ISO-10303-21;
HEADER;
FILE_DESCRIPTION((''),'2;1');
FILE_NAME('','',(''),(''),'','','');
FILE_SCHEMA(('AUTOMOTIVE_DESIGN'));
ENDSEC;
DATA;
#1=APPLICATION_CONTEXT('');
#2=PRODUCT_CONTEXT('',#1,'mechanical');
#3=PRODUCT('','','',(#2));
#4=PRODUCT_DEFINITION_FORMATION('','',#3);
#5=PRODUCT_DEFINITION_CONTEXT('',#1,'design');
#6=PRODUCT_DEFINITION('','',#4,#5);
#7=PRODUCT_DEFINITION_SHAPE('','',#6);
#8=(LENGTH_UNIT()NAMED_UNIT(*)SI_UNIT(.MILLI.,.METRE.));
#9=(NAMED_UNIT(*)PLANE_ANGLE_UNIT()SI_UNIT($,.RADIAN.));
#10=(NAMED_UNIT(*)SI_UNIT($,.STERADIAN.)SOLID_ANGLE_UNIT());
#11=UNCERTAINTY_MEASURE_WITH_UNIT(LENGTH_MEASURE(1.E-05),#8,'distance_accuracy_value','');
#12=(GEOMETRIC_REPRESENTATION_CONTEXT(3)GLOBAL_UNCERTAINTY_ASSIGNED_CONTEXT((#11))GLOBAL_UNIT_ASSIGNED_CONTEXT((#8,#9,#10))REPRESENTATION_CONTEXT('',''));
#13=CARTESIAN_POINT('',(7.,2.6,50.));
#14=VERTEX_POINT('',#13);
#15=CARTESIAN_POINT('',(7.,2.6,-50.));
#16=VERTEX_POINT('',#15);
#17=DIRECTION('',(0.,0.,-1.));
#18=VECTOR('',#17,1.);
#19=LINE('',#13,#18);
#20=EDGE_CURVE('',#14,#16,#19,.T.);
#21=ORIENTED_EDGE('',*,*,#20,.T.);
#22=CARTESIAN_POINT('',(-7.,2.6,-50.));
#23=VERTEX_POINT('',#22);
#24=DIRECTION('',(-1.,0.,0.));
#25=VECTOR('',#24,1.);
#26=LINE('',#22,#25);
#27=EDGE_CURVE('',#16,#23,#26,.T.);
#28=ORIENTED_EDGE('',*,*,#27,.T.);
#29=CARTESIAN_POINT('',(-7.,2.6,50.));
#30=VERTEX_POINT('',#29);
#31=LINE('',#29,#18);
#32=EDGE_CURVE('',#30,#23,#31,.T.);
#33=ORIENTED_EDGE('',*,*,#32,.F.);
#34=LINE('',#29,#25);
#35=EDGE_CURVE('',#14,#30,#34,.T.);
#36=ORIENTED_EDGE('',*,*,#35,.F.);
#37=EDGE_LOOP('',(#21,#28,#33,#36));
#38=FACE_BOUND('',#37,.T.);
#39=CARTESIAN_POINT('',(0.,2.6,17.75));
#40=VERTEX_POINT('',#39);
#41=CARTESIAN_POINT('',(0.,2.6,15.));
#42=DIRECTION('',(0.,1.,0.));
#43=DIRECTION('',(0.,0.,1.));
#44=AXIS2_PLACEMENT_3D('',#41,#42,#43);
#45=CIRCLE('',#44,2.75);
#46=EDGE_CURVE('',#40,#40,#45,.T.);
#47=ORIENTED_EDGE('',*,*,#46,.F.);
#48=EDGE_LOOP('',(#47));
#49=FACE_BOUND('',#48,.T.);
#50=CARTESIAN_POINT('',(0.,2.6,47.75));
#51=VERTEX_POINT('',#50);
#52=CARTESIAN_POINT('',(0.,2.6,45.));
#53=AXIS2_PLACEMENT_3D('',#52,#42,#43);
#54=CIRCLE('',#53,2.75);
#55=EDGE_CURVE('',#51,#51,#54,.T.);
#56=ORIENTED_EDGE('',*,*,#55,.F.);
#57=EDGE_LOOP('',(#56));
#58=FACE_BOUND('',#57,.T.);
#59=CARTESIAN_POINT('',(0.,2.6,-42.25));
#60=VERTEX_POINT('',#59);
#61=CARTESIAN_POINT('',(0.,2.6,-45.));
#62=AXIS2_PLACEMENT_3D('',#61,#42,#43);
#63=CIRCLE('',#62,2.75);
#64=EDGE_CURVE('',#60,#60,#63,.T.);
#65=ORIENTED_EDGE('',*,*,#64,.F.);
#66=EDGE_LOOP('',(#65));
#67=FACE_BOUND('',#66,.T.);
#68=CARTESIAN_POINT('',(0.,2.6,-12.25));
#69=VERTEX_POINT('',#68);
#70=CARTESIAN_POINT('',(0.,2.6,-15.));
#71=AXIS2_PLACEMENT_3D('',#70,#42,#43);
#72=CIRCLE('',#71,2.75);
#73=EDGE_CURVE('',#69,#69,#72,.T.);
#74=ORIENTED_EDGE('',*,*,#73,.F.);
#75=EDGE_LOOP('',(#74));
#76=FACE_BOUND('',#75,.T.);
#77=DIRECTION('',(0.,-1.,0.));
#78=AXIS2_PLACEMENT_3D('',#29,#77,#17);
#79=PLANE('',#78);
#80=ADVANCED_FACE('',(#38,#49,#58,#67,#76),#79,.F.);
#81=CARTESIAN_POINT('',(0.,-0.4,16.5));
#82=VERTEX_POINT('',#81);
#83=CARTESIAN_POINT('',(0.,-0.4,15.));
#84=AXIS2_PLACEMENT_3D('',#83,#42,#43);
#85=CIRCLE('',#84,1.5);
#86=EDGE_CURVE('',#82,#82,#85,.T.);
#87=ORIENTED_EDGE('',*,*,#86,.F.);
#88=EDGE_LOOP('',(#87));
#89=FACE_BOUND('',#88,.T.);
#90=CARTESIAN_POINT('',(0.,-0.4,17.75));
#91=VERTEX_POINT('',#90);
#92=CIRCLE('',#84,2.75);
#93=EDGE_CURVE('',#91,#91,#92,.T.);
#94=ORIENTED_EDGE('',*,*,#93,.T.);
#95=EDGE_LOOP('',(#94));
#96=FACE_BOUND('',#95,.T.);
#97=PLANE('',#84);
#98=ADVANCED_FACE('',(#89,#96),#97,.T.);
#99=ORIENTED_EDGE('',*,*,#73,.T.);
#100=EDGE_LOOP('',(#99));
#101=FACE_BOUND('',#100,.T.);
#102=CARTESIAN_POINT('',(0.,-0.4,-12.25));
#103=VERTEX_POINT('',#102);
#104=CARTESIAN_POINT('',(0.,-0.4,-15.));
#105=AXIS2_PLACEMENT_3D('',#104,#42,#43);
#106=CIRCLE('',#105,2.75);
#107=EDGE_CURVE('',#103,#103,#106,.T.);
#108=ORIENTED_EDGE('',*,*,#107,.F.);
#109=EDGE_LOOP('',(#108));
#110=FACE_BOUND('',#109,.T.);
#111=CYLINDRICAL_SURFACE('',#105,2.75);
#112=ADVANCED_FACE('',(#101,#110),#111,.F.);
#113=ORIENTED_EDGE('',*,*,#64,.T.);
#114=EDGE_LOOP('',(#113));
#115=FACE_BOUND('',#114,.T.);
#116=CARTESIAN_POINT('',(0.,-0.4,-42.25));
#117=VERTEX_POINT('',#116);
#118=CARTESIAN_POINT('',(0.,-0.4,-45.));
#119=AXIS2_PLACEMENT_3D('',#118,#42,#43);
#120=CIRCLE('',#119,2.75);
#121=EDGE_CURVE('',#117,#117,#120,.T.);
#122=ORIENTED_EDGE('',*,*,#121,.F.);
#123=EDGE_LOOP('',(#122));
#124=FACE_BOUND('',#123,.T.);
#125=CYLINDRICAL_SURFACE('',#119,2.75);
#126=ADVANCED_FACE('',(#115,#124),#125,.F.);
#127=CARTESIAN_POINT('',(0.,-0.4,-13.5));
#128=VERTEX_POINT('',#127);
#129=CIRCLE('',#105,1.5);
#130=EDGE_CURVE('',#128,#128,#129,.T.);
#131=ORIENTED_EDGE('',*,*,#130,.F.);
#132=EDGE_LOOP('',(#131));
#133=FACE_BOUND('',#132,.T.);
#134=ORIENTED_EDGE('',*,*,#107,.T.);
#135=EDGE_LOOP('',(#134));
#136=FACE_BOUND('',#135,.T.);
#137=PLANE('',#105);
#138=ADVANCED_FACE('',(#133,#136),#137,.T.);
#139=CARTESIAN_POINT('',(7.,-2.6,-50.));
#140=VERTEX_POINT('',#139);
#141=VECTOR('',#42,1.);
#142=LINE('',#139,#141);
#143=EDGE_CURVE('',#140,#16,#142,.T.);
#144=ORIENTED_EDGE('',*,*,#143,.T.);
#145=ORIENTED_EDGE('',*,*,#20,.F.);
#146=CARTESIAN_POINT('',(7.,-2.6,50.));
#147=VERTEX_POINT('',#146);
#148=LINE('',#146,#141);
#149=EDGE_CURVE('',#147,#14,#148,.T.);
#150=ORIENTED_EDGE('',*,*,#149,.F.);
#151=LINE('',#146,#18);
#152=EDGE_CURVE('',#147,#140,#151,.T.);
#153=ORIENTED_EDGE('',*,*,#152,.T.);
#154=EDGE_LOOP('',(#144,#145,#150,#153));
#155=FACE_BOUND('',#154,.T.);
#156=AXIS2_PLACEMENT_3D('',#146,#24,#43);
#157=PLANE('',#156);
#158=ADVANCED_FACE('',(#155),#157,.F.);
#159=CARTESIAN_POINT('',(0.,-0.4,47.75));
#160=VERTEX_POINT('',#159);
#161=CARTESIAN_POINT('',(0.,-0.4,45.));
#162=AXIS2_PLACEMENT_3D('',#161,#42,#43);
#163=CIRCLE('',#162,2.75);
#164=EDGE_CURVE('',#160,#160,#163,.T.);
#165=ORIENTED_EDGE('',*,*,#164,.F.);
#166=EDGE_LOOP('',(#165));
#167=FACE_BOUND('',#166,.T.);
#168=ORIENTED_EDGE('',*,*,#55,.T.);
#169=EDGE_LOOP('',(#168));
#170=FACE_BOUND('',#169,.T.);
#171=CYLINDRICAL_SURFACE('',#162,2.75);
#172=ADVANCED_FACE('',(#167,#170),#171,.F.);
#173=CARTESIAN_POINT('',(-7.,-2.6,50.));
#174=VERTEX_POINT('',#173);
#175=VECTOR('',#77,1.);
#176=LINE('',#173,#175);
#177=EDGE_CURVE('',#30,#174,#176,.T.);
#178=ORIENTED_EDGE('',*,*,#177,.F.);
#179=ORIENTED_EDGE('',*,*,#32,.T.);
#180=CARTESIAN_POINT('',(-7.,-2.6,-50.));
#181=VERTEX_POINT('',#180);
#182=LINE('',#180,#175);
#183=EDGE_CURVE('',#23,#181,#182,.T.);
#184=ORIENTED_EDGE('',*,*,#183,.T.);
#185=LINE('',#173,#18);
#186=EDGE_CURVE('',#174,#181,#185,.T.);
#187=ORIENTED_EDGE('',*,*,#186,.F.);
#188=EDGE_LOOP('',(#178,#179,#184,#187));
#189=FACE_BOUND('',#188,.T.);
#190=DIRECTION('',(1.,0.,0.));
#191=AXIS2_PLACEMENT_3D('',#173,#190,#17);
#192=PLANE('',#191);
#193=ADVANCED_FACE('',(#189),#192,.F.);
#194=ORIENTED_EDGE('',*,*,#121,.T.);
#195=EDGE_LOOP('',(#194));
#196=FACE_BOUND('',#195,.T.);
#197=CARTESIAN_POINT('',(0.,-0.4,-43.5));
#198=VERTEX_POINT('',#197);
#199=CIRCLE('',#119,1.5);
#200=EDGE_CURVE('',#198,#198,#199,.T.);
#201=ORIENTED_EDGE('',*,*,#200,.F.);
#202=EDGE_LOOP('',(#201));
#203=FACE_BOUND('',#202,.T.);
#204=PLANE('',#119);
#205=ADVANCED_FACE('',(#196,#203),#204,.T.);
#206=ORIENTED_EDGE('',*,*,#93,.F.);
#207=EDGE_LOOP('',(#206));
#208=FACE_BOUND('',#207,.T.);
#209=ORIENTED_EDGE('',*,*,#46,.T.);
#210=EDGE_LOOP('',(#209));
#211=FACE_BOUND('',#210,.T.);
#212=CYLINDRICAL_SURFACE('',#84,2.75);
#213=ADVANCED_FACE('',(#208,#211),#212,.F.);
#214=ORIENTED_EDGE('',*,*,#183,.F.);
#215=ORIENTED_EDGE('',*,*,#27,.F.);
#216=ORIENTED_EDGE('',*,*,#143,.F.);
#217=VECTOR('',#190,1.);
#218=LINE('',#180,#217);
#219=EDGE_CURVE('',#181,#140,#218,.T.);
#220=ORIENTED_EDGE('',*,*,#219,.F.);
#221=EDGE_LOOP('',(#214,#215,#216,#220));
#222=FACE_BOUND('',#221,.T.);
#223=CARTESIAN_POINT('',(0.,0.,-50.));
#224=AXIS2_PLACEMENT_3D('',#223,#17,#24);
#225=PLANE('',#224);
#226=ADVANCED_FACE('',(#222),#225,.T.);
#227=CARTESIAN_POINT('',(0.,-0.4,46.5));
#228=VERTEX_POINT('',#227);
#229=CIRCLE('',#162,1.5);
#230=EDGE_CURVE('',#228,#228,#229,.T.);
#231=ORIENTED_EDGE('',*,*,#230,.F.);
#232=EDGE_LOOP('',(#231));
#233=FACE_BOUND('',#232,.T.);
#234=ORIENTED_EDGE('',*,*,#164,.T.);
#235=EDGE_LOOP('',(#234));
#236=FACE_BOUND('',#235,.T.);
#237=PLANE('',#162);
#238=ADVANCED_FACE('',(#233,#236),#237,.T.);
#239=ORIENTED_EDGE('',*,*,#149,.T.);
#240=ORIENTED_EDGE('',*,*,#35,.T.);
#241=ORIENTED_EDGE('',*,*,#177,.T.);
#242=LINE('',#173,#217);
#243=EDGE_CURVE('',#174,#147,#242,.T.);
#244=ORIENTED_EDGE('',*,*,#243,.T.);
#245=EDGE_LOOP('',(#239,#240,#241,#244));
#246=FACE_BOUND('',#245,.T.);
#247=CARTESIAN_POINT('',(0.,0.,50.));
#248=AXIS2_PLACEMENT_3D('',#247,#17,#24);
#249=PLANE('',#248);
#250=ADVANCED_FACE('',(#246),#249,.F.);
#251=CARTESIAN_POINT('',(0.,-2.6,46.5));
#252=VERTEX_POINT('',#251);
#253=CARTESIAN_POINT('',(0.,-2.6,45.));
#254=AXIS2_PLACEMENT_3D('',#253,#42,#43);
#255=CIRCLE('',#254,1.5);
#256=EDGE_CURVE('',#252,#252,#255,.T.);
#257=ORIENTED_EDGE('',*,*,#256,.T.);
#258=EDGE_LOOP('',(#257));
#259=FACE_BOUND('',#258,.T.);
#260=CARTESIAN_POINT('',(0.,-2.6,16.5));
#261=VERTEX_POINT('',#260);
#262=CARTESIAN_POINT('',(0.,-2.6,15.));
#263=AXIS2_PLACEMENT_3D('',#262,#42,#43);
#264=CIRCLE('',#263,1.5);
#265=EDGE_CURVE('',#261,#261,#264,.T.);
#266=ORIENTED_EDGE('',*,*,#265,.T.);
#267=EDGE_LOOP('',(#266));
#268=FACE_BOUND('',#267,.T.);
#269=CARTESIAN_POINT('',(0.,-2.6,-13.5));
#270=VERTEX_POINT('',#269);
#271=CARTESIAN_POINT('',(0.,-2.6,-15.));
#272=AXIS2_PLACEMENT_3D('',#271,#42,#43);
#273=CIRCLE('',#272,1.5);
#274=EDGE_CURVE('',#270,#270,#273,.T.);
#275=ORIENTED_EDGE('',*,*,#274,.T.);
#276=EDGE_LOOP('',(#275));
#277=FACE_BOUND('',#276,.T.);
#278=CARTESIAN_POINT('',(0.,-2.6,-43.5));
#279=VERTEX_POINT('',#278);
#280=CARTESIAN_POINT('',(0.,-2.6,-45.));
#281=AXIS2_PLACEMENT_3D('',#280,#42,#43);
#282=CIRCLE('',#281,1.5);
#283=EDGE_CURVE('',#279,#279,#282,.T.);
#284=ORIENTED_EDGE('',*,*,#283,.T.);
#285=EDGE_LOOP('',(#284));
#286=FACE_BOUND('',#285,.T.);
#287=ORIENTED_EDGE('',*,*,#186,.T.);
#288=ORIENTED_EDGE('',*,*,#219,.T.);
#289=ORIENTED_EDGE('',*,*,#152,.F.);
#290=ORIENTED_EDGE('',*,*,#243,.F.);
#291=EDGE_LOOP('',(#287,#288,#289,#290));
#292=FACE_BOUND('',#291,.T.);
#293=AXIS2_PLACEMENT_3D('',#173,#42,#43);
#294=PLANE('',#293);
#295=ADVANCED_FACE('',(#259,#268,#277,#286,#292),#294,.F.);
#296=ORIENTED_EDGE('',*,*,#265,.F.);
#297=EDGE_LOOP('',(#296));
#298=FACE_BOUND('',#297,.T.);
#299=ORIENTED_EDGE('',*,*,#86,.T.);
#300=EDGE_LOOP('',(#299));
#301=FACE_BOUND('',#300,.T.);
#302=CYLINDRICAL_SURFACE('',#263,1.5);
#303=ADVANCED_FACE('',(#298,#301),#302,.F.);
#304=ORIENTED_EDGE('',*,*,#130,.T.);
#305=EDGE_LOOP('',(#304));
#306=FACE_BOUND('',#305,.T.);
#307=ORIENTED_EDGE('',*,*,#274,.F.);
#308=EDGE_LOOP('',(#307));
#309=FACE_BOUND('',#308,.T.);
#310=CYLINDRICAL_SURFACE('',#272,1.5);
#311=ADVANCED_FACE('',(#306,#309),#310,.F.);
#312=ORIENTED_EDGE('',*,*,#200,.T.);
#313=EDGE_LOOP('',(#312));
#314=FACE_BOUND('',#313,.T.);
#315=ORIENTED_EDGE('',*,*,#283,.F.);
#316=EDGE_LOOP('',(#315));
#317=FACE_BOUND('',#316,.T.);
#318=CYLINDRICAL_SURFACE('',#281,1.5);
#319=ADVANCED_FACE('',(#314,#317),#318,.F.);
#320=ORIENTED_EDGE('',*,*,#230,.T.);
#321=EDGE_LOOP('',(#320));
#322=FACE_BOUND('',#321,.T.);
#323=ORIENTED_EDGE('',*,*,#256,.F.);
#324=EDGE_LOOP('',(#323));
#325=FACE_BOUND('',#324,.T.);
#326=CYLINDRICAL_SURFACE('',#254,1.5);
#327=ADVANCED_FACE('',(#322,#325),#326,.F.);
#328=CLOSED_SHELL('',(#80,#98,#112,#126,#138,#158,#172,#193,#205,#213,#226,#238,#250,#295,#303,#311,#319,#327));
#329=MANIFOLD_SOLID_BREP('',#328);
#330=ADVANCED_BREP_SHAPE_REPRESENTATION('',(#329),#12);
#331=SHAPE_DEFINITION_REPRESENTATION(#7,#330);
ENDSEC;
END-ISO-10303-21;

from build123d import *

# Parameters (mm, degrees)
SKETCH_1_W               = 14
SKETCH_1_H               = 5.2
EXTRUDE_1_DEPTH          = 50
SKETCH_3_R               = 2.75
CUT_EXTRUDE_1_DEPTH      = 3
CUT_EXTRUDE_2_DEPTH      = 51.754704215
CUT_EXTRUDE_2_DEPTH_BACK = 51.754704215
SKETCH_4_R               = 1.5


with BuildPart() as part:
    # 草图1 → 凸台-拉伸1 (new, symmetric)
    with BuildSketch(Plane.XY):
        Rectangle(SKETCH_1_W, SKETCH_1_H)
    extrude(amount=EXTRUDE_1_DEPTH, both=True)

    # 草图3 → 切除-拉伸1 (cut)
    with BuildSketch(Plane(origin=(0, 2.6, 0), x_dir=(1, 0, 0), z_dir=(0, 1, 0))):
        with Locations(Location((0, -45, 0), (0, 0, 270))):
            Circle(SKETCH_3_R)
        with Locations(Location((0, -15, 0), (0, 0, 270))):
            Circle(SKETCH_3_R)
        with Locations(Location((0, 15, 0), (0, 0, 270))):
            Circle(SKETCH_3_R)
        with Locations(Location((0, 45, 0), (0, 0, 270))):
            Circle(SKETCH_3_R)
    extrude(amount=-CUT_EXTRUDE_1_DEPTH, mode=Mode.SUBTRACT)

    # 草图4 → 切除-拉伸2 (cut, two sides: drawn at the far end of the back side and taken through both)
    with BuildSketch(Plane(origin=(0, 2.6, 0), x_dir=(1, 0, 0), z_dir=(0, 1, 0)).offset(-CUT_EXTRUDE_2_DEPTH_BACK)):
        with Locations(Location((0, -45, 0), (0, 0, 270))):
            Circle(SKETCH_4_R)
        with Locations(Location((0, -15, 0), (0, 0, 270))):
            Circle(SKETCH_4_R)
        with Locations(Location((0, 15, 0), (0, 0, 270))):
            Circle(SKETCH_4_R)
        with Locations(Location((0, 45, 0), (0, 0, 270))):
            Circle(SKETCH_4_R)
    extrude(amount=CUT_EXTRUDE_2_DEPTH + CUT_EXTRUDE_2_DEPTH_BACK, mode=Mode.SUBTRACT)


solid = part.part
